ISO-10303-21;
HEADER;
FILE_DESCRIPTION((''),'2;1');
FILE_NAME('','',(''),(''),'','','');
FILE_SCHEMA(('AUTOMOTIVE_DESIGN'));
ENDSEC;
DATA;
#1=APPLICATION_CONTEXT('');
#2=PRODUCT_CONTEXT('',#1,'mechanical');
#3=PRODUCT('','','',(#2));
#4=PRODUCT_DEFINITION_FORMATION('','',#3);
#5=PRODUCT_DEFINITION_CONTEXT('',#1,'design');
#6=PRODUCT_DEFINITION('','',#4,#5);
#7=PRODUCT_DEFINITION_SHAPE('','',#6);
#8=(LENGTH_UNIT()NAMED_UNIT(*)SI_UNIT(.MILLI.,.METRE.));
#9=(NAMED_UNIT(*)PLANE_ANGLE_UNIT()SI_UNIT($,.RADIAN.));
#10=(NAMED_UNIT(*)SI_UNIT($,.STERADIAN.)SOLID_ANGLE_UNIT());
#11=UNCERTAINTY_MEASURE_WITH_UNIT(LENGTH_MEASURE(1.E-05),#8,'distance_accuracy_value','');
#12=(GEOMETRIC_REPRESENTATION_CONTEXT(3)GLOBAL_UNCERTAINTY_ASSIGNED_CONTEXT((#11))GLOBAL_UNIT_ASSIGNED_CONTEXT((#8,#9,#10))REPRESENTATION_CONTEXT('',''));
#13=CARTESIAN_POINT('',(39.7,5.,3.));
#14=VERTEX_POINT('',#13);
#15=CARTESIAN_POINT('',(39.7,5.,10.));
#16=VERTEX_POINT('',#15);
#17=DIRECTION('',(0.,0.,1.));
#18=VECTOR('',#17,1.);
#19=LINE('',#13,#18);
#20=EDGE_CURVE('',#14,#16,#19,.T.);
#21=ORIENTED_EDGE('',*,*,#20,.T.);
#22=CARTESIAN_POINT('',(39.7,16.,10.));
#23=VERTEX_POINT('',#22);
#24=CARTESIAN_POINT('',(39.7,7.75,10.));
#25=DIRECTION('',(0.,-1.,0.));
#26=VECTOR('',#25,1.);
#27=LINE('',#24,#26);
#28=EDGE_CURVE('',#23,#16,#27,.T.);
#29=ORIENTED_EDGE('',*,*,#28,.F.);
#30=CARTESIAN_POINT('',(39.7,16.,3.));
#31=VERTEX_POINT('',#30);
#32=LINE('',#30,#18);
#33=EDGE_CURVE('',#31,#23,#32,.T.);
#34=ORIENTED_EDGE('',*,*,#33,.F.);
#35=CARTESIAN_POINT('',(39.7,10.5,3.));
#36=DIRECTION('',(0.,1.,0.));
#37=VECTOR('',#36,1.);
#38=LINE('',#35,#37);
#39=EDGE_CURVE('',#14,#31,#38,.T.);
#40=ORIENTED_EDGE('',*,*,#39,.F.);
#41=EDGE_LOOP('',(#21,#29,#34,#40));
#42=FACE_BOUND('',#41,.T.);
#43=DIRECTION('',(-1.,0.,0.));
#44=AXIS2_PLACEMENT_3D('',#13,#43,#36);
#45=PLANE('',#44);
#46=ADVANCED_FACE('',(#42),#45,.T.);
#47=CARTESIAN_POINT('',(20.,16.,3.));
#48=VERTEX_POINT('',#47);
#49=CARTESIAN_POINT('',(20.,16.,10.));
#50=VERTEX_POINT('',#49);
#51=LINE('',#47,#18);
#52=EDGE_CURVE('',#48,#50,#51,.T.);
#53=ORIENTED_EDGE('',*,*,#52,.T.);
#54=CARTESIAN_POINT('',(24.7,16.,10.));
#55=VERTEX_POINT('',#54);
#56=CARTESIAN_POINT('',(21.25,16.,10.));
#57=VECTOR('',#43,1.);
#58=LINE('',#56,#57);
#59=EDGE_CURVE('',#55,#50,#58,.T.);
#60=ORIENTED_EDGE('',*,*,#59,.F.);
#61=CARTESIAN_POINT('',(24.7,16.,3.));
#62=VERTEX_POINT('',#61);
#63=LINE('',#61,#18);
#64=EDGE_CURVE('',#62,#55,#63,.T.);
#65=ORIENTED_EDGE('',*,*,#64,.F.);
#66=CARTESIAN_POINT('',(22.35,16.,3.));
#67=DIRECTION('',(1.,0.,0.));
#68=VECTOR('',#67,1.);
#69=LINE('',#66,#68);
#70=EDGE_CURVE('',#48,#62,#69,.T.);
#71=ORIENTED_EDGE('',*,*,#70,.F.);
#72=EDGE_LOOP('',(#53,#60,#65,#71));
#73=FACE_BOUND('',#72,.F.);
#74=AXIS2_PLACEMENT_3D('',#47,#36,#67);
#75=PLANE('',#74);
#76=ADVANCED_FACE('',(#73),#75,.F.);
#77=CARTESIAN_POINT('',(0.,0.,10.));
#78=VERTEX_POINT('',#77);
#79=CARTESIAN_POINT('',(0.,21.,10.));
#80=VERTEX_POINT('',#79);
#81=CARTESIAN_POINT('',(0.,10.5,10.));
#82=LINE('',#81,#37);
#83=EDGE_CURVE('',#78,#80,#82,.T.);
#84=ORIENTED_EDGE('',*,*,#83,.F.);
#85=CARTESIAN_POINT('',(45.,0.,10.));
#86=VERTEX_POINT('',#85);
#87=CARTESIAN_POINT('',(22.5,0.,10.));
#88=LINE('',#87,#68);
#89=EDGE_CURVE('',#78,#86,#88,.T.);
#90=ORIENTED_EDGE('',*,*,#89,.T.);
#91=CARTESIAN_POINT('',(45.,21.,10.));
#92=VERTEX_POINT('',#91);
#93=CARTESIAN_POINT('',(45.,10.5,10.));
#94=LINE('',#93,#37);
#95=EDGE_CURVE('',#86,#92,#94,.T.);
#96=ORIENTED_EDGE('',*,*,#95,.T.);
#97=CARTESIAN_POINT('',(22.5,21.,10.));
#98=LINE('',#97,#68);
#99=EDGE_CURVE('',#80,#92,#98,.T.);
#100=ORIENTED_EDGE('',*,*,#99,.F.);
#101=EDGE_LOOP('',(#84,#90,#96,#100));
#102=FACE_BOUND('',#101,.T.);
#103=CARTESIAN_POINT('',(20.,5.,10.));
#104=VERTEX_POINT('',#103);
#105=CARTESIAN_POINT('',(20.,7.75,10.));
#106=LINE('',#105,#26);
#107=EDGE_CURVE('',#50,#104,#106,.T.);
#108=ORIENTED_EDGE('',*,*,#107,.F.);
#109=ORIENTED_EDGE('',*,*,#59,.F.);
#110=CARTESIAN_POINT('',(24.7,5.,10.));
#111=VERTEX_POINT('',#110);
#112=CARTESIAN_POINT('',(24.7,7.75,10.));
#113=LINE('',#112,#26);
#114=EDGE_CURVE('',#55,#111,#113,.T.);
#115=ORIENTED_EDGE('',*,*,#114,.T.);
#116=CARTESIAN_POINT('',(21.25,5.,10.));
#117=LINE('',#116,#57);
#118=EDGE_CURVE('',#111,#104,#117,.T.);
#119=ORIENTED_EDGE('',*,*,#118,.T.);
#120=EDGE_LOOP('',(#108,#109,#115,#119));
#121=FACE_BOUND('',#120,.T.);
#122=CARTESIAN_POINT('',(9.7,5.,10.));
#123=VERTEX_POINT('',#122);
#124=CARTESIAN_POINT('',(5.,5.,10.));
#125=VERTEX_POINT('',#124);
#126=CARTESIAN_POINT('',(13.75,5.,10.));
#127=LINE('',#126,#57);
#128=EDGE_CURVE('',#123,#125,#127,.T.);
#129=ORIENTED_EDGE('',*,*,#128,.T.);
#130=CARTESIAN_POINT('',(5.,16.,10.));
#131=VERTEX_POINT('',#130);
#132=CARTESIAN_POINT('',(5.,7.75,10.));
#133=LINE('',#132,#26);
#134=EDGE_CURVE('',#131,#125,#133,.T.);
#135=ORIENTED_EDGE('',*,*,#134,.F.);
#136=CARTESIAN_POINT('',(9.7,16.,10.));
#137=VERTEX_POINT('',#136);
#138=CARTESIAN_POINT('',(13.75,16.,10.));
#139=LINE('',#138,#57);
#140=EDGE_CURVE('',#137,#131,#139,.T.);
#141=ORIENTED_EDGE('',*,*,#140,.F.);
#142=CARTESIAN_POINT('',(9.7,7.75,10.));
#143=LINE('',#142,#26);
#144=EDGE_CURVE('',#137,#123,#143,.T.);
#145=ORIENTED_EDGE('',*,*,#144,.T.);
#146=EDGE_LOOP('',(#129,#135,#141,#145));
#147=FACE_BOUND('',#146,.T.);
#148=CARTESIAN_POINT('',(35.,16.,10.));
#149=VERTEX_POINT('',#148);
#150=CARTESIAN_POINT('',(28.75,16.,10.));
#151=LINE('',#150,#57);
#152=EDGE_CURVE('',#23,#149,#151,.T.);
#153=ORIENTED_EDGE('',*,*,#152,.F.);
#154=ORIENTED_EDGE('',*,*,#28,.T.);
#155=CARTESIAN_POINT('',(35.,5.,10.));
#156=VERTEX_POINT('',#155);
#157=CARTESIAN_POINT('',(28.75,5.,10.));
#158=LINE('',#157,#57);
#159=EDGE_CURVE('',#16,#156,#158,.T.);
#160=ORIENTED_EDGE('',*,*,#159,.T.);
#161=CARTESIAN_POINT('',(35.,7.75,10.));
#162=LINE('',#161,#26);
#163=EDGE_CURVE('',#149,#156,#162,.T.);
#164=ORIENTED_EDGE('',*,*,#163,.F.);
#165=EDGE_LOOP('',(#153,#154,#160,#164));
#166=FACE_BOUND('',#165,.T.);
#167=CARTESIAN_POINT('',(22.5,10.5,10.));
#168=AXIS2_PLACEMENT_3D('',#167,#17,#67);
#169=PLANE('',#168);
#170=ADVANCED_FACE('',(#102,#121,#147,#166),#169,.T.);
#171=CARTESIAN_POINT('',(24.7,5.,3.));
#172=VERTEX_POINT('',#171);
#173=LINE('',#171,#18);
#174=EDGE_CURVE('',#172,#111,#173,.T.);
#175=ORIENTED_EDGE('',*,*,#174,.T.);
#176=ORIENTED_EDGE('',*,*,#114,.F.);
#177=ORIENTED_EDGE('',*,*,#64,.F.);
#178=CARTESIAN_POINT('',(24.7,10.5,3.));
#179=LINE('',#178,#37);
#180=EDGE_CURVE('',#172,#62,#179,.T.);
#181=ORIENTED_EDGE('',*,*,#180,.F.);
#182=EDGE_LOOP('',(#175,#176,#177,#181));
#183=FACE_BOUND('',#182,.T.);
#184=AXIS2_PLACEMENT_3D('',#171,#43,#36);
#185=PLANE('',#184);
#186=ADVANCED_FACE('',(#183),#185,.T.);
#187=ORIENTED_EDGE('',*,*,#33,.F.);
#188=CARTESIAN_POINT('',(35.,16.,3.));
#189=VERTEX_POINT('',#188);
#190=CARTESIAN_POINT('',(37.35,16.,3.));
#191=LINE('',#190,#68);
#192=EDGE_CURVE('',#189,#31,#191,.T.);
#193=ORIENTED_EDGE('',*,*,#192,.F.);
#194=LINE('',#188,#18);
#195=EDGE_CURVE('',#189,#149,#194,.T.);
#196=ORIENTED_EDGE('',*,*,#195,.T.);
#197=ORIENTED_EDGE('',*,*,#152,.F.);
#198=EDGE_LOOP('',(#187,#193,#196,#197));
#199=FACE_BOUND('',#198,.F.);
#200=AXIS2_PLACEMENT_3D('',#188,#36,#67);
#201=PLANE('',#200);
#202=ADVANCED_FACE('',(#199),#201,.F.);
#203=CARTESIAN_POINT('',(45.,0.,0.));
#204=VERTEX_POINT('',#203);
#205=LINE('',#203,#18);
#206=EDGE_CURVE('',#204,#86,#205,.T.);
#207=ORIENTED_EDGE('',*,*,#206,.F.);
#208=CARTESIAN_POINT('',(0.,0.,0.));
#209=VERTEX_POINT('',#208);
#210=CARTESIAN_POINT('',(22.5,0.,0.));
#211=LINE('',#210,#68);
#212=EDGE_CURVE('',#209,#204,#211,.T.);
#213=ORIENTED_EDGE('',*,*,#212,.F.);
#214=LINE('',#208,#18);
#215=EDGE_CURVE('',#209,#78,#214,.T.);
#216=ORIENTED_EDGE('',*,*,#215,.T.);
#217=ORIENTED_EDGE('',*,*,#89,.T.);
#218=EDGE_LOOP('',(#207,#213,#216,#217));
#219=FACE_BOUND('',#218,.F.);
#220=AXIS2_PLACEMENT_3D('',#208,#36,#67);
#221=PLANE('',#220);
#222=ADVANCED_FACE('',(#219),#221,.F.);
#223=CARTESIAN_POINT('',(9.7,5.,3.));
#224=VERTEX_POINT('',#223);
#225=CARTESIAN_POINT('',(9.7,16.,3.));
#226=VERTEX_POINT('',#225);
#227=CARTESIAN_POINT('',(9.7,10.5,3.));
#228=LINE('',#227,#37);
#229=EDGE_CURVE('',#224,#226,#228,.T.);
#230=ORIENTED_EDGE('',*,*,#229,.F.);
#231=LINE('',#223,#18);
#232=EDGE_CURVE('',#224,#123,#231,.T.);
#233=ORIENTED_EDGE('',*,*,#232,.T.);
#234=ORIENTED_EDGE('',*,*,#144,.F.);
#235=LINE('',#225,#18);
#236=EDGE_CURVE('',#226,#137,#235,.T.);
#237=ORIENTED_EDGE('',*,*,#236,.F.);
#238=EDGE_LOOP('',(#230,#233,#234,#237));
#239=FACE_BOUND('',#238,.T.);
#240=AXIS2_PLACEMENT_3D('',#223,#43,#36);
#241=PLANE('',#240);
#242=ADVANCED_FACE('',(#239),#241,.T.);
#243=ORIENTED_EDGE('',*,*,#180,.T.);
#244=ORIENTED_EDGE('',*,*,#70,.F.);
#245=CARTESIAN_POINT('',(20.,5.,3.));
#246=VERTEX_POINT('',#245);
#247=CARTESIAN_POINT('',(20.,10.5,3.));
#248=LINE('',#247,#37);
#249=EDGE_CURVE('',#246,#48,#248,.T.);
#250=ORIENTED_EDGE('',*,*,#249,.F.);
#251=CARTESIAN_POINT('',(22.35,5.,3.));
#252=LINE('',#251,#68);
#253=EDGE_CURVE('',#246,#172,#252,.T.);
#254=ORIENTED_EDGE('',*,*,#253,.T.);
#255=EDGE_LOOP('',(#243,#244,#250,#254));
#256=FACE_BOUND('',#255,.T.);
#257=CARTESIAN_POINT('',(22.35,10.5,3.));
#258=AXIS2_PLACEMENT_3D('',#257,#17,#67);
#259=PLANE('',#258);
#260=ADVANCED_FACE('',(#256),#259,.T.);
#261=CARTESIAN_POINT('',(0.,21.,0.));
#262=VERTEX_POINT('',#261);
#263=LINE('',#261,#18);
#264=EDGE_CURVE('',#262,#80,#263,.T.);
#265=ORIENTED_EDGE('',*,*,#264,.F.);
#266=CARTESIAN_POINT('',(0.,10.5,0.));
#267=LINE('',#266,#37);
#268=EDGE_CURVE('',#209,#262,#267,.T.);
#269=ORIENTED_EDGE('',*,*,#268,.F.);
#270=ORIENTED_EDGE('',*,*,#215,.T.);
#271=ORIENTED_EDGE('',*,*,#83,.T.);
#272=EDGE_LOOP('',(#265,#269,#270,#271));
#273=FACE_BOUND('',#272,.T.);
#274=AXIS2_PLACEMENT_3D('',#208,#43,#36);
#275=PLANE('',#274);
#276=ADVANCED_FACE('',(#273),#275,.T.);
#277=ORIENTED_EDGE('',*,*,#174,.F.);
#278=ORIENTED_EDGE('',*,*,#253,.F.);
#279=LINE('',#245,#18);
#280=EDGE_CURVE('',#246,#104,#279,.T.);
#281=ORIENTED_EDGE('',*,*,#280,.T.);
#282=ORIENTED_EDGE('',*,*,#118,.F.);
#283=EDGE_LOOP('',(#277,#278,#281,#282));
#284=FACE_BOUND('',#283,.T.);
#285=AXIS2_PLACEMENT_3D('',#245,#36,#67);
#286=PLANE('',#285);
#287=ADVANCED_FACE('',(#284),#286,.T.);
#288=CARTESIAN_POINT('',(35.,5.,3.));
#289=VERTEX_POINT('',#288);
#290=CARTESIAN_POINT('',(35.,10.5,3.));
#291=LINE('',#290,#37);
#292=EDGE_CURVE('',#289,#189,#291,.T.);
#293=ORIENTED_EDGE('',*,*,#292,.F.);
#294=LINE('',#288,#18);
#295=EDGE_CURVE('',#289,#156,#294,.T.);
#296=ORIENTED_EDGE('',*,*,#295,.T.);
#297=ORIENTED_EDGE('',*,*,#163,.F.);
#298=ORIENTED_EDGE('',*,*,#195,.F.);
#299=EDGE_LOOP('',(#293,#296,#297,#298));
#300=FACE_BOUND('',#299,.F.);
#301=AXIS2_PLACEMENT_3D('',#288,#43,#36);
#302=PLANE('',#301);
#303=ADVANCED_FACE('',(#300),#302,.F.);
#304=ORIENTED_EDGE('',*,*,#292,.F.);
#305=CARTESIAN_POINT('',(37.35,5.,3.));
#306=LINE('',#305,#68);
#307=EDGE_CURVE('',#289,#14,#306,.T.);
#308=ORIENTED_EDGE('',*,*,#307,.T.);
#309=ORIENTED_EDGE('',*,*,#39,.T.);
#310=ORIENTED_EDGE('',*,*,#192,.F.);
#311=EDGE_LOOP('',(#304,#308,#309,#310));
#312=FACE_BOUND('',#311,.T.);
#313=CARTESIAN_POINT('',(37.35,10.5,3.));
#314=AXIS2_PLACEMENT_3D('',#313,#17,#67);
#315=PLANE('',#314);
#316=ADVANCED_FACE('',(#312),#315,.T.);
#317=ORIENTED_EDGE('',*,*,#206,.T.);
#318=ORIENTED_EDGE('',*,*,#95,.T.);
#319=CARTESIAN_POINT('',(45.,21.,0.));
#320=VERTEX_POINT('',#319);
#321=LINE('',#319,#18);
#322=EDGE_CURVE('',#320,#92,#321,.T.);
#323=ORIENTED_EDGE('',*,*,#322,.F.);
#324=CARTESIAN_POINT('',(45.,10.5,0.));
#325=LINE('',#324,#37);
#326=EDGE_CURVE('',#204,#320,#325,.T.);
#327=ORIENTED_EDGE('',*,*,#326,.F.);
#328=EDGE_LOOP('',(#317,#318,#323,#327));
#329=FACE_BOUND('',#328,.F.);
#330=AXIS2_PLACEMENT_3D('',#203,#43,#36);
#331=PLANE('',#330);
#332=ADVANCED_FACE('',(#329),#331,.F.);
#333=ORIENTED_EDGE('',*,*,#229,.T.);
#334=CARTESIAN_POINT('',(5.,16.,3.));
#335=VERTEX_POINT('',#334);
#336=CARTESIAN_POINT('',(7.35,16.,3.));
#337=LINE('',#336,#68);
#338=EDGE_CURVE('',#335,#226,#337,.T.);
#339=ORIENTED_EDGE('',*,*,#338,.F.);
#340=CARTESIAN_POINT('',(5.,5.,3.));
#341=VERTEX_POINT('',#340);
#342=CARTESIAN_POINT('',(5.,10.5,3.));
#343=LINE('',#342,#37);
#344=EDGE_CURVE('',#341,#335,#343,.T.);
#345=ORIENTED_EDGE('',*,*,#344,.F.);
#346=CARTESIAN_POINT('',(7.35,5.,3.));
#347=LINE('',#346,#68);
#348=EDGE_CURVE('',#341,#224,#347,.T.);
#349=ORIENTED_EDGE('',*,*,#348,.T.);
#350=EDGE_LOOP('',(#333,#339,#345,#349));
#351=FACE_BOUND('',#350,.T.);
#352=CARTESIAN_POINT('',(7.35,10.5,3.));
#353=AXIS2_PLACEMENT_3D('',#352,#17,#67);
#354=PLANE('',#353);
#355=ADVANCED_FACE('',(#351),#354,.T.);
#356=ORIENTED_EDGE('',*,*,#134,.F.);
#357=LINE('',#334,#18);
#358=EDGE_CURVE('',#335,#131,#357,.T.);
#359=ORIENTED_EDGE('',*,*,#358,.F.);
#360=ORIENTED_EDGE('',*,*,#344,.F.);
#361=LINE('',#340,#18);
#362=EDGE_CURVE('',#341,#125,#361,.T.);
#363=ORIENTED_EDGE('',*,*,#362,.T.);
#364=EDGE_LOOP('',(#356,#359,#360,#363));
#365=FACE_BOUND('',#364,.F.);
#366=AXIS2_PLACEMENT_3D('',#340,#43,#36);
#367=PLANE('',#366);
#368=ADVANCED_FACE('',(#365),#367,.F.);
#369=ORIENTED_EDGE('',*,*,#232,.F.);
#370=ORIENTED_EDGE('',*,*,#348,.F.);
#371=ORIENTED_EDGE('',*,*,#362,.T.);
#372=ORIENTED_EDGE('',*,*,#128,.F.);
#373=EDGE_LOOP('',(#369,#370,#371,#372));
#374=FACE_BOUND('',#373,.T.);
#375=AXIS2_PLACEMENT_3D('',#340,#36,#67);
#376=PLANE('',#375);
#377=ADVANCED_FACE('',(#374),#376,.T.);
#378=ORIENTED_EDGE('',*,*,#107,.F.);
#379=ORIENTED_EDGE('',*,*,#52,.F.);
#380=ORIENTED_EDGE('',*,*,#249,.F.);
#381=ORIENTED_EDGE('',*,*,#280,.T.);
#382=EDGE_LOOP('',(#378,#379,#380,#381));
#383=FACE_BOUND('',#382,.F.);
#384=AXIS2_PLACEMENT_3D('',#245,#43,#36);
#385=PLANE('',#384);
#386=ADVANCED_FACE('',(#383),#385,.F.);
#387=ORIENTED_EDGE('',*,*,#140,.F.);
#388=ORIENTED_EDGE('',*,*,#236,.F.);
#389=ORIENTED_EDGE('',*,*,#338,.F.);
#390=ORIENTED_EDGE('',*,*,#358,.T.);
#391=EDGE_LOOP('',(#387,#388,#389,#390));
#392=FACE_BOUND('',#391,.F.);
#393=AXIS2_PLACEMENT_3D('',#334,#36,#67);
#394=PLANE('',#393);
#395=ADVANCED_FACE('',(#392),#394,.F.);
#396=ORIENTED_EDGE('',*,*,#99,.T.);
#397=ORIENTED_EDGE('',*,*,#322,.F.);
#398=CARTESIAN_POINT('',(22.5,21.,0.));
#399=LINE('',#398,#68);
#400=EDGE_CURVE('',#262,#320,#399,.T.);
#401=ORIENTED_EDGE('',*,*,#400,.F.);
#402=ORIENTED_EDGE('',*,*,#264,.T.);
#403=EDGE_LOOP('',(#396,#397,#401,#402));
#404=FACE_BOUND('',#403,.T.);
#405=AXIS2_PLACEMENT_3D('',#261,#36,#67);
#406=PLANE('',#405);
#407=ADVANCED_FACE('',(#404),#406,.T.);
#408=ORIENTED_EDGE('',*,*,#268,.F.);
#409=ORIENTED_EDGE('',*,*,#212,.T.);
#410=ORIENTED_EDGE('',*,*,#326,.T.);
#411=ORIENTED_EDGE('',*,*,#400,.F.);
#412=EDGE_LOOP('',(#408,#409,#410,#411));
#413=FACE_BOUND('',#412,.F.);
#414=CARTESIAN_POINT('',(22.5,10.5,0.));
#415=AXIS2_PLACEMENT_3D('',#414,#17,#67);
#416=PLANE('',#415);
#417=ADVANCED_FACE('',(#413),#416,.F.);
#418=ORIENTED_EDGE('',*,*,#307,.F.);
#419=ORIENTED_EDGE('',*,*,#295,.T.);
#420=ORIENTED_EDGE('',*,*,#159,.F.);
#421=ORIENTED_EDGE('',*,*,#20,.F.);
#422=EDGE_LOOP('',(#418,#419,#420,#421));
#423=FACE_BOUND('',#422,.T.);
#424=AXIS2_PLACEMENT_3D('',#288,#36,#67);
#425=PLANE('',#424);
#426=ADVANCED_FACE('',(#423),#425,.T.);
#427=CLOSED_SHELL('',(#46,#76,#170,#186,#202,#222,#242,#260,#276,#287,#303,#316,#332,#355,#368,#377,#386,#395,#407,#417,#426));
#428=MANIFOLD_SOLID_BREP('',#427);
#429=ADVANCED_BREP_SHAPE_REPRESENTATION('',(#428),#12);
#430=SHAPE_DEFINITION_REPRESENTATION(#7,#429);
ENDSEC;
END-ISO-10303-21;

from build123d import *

# Parameters (mm, degrees)
BOX002_W     = 4.7
BOX002_H     = 11
BOX002_DEPTH = 9
BOX003_W     = 4.7
BOX003_H     = 11
BOX003_DEPTH = 9
BOX001_W     = 4.7
BOX001_H     = 11
BOX001_DEPTH = 9
BOX_W        = 45
BOX_H        = 21
BOX_DEPTH    = 10


with BuildPart() as hueco001:
    # Box002 → Box002 (new body)
    with BuildSketch(Plane(origin=(20, 5, 3), x_dir=(1, 0, 0), z_dir=(0, 0, 1))):
        with Locations((2.35, 5.5)):
            Rectangle(BOX002_W, BOX002_H)
    extrude(amount=BOX002_DEPTH)


with BuildPart() as hueco002:
    # Box003 → Box003 (new body)
    with BuildSketch(Plane(origin=(35, 5, 3), x_dir=(1, 0, 0), z_dir=(0, 0, 1))):
        with Locations((2.35, 5.5)):
            Rectangle(BOX003_W, BOX003_H)
    extrude(amount=BOX003_DEPTH)


with BuildPart() as hueco:
    # Box001 → Box001 (new body)
    with BuildSketch(Plane(origin=(5, 5, 3), x_dir=(1, 0, 0), z_dir=(0, 0, 1))):
        with Locations((2.35, 5.5)):
            Rectangle(BOX001_W, BOX001_H)
    extrude(amount=BOX001_DEPTH)


with BuildPart() as cut002:
    # Box → Box (new body)
    with BuildSketch(Plane.XY):
        with Locations((22.5, 10.5)):
            Rectangle(BOX_W, BOX_H)
    extrude(amount=BOX_DEPTH)

    # Cut: cut Hueco
    add(hueco.part, mode=Mode.SUBTRACT)

    # Cut001: cut Hueco002
    add(hueco002.part, mode=Mode.SUBTRACT)

    # Cut002: cut Hueco001
    add(hueco001.part, mode=Mode.SUBTRACT)


solid = cut002.part
